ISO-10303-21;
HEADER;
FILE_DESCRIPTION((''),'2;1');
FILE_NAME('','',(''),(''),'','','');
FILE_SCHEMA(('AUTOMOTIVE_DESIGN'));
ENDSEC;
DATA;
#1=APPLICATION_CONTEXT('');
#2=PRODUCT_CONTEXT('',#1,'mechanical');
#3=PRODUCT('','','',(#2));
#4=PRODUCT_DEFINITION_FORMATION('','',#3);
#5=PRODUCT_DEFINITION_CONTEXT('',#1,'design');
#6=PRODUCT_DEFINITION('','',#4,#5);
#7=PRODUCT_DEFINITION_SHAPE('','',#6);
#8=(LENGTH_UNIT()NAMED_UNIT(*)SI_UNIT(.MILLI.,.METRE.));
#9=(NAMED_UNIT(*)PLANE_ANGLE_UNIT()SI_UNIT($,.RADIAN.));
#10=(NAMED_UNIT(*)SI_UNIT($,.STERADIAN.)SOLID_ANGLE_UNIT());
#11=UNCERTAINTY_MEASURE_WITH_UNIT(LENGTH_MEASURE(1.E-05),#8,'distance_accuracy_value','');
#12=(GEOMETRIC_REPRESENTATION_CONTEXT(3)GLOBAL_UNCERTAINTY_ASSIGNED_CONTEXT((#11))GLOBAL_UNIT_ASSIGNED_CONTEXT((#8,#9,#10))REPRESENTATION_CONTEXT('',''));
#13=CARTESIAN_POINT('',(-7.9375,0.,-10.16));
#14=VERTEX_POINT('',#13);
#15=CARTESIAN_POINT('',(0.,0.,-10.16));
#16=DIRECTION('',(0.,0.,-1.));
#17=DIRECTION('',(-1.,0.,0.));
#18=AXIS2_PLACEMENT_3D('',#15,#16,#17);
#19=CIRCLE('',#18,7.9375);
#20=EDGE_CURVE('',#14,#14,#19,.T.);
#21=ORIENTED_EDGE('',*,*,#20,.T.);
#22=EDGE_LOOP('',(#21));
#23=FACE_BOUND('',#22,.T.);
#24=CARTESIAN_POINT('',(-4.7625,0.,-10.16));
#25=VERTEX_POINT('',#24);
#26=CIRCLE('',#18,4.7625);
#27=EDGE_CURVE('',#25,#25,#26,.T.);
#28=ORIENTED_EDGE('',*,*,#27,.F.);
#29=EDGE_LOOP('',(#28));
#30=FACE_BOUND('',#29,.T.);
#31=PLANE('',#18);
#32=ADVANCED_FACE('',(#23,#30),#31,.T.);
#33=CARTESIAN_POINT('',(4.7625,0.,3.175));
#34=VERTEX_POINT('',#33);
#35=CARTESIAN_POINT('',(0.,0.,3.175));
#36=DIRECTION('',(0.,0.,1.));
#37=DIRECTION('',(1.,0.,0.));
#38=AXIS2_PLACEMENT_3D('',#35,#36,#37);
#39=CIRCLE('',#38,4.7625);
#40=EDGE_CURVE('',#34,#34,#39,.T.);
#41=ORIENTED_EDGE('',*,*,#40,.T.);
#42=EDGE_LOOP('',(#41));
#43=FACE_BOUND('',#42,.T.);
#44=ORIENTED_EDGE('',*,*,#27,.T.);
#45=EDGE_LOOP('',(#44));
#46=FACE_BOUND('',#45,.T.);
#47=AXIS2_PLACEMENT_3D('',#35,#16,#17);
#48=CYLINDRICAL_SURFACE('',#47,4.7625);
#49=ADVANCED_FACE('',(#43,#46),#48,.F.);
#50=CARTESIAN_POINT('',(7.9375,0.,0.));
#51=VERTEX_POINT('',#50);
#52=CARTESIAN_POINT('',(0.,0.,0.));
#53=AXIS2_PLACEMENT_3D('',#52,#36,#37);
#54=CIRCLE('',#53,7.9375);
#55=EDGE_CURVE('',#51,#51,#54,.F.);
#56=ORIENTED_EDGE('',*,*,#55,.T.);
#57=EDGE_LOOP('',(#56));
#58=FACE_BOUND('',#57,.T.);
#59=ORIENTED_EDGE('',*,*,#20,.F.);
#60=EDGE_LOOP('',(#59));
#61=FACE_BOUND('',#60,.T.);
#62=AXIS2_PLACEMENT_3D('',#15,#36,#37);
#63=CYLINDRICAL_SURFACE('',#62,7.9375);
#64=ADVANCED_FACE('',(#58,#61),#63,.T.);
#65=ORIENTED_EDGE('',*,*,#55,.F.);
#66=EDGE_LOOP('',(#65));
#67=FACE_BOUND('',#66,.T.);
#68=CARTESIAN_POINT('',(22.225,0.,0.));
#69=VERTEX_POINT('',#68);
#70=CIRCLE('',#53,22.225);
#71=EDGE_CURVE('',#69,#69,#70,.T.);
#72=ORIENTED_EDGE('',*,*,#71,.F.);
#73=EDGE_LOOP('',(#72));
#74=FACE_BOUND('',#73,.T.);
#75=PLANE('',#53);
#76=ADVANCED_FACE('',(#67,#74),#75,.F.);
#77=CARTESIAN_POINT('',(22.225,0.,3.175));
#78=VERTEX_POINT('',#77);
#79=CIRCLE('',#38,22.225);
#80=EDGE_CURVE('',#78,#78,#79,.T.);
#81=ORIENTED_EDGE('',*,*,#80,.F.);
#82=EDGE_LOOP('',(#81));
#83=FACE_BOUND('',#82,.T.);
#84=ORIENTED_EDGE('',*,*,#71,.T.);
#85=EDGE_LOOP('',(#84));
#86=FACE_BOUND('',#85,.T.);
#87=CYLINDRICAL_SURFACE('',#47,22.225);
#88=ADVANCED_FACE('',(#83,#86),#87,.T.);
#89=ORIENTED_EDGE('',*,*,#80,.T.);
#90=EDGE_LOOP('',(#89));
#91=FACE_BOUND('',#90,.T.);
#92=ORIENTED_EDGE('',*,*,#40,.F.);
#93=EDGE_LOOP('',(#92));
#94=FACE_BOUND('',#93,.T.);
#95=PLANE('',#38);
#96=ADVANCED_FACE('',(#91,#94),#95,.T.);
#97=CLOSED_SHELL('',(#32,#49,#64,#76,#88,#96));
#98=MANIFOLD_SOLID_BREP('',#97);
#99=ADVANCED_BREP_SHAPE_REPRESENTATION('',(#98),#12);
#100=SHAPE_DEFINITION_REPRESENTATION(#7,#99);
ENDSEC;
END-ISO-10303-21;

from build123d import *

# Parameters (mm, degrees)
SKETCH1_R           = 22.225
SKETCH1_R_2         = 4.7625
BOSS_EXTRUDE1_DEPTH = 3.175
SKETCH2_R           = 7.9375
SKETCH2_R_2         = 4.7625
BOSS_EXTRUDE2_DEPTH = 10.16


with BuildPart() as part:
    # Sketch1 → Boss-Extrude1 (new body)
    with BuildSketch(Plane.XY):
        Circle(SKETCH1_R)
        Circle(SKETCH1_R_2, mode=Mode.SUBTRACT)
    extrude(amount=BOSS_EXTRUDE1_DEPTH)

    # Sketch2 → Boss-Extrude2 (add)
    with BuildSketch(Plane(origin=(0, 0, 0), x_dir=(-1, 0, 0), z_dir=(0, 0, -1))):
        Circle(SKETCH2_R)
        Circle(SKETCH2_R_2, mode=Mode.SUBTRACT)
    extrude(amount=BOSS_EXTRUDE2_DEPTH)


solid = part.part
